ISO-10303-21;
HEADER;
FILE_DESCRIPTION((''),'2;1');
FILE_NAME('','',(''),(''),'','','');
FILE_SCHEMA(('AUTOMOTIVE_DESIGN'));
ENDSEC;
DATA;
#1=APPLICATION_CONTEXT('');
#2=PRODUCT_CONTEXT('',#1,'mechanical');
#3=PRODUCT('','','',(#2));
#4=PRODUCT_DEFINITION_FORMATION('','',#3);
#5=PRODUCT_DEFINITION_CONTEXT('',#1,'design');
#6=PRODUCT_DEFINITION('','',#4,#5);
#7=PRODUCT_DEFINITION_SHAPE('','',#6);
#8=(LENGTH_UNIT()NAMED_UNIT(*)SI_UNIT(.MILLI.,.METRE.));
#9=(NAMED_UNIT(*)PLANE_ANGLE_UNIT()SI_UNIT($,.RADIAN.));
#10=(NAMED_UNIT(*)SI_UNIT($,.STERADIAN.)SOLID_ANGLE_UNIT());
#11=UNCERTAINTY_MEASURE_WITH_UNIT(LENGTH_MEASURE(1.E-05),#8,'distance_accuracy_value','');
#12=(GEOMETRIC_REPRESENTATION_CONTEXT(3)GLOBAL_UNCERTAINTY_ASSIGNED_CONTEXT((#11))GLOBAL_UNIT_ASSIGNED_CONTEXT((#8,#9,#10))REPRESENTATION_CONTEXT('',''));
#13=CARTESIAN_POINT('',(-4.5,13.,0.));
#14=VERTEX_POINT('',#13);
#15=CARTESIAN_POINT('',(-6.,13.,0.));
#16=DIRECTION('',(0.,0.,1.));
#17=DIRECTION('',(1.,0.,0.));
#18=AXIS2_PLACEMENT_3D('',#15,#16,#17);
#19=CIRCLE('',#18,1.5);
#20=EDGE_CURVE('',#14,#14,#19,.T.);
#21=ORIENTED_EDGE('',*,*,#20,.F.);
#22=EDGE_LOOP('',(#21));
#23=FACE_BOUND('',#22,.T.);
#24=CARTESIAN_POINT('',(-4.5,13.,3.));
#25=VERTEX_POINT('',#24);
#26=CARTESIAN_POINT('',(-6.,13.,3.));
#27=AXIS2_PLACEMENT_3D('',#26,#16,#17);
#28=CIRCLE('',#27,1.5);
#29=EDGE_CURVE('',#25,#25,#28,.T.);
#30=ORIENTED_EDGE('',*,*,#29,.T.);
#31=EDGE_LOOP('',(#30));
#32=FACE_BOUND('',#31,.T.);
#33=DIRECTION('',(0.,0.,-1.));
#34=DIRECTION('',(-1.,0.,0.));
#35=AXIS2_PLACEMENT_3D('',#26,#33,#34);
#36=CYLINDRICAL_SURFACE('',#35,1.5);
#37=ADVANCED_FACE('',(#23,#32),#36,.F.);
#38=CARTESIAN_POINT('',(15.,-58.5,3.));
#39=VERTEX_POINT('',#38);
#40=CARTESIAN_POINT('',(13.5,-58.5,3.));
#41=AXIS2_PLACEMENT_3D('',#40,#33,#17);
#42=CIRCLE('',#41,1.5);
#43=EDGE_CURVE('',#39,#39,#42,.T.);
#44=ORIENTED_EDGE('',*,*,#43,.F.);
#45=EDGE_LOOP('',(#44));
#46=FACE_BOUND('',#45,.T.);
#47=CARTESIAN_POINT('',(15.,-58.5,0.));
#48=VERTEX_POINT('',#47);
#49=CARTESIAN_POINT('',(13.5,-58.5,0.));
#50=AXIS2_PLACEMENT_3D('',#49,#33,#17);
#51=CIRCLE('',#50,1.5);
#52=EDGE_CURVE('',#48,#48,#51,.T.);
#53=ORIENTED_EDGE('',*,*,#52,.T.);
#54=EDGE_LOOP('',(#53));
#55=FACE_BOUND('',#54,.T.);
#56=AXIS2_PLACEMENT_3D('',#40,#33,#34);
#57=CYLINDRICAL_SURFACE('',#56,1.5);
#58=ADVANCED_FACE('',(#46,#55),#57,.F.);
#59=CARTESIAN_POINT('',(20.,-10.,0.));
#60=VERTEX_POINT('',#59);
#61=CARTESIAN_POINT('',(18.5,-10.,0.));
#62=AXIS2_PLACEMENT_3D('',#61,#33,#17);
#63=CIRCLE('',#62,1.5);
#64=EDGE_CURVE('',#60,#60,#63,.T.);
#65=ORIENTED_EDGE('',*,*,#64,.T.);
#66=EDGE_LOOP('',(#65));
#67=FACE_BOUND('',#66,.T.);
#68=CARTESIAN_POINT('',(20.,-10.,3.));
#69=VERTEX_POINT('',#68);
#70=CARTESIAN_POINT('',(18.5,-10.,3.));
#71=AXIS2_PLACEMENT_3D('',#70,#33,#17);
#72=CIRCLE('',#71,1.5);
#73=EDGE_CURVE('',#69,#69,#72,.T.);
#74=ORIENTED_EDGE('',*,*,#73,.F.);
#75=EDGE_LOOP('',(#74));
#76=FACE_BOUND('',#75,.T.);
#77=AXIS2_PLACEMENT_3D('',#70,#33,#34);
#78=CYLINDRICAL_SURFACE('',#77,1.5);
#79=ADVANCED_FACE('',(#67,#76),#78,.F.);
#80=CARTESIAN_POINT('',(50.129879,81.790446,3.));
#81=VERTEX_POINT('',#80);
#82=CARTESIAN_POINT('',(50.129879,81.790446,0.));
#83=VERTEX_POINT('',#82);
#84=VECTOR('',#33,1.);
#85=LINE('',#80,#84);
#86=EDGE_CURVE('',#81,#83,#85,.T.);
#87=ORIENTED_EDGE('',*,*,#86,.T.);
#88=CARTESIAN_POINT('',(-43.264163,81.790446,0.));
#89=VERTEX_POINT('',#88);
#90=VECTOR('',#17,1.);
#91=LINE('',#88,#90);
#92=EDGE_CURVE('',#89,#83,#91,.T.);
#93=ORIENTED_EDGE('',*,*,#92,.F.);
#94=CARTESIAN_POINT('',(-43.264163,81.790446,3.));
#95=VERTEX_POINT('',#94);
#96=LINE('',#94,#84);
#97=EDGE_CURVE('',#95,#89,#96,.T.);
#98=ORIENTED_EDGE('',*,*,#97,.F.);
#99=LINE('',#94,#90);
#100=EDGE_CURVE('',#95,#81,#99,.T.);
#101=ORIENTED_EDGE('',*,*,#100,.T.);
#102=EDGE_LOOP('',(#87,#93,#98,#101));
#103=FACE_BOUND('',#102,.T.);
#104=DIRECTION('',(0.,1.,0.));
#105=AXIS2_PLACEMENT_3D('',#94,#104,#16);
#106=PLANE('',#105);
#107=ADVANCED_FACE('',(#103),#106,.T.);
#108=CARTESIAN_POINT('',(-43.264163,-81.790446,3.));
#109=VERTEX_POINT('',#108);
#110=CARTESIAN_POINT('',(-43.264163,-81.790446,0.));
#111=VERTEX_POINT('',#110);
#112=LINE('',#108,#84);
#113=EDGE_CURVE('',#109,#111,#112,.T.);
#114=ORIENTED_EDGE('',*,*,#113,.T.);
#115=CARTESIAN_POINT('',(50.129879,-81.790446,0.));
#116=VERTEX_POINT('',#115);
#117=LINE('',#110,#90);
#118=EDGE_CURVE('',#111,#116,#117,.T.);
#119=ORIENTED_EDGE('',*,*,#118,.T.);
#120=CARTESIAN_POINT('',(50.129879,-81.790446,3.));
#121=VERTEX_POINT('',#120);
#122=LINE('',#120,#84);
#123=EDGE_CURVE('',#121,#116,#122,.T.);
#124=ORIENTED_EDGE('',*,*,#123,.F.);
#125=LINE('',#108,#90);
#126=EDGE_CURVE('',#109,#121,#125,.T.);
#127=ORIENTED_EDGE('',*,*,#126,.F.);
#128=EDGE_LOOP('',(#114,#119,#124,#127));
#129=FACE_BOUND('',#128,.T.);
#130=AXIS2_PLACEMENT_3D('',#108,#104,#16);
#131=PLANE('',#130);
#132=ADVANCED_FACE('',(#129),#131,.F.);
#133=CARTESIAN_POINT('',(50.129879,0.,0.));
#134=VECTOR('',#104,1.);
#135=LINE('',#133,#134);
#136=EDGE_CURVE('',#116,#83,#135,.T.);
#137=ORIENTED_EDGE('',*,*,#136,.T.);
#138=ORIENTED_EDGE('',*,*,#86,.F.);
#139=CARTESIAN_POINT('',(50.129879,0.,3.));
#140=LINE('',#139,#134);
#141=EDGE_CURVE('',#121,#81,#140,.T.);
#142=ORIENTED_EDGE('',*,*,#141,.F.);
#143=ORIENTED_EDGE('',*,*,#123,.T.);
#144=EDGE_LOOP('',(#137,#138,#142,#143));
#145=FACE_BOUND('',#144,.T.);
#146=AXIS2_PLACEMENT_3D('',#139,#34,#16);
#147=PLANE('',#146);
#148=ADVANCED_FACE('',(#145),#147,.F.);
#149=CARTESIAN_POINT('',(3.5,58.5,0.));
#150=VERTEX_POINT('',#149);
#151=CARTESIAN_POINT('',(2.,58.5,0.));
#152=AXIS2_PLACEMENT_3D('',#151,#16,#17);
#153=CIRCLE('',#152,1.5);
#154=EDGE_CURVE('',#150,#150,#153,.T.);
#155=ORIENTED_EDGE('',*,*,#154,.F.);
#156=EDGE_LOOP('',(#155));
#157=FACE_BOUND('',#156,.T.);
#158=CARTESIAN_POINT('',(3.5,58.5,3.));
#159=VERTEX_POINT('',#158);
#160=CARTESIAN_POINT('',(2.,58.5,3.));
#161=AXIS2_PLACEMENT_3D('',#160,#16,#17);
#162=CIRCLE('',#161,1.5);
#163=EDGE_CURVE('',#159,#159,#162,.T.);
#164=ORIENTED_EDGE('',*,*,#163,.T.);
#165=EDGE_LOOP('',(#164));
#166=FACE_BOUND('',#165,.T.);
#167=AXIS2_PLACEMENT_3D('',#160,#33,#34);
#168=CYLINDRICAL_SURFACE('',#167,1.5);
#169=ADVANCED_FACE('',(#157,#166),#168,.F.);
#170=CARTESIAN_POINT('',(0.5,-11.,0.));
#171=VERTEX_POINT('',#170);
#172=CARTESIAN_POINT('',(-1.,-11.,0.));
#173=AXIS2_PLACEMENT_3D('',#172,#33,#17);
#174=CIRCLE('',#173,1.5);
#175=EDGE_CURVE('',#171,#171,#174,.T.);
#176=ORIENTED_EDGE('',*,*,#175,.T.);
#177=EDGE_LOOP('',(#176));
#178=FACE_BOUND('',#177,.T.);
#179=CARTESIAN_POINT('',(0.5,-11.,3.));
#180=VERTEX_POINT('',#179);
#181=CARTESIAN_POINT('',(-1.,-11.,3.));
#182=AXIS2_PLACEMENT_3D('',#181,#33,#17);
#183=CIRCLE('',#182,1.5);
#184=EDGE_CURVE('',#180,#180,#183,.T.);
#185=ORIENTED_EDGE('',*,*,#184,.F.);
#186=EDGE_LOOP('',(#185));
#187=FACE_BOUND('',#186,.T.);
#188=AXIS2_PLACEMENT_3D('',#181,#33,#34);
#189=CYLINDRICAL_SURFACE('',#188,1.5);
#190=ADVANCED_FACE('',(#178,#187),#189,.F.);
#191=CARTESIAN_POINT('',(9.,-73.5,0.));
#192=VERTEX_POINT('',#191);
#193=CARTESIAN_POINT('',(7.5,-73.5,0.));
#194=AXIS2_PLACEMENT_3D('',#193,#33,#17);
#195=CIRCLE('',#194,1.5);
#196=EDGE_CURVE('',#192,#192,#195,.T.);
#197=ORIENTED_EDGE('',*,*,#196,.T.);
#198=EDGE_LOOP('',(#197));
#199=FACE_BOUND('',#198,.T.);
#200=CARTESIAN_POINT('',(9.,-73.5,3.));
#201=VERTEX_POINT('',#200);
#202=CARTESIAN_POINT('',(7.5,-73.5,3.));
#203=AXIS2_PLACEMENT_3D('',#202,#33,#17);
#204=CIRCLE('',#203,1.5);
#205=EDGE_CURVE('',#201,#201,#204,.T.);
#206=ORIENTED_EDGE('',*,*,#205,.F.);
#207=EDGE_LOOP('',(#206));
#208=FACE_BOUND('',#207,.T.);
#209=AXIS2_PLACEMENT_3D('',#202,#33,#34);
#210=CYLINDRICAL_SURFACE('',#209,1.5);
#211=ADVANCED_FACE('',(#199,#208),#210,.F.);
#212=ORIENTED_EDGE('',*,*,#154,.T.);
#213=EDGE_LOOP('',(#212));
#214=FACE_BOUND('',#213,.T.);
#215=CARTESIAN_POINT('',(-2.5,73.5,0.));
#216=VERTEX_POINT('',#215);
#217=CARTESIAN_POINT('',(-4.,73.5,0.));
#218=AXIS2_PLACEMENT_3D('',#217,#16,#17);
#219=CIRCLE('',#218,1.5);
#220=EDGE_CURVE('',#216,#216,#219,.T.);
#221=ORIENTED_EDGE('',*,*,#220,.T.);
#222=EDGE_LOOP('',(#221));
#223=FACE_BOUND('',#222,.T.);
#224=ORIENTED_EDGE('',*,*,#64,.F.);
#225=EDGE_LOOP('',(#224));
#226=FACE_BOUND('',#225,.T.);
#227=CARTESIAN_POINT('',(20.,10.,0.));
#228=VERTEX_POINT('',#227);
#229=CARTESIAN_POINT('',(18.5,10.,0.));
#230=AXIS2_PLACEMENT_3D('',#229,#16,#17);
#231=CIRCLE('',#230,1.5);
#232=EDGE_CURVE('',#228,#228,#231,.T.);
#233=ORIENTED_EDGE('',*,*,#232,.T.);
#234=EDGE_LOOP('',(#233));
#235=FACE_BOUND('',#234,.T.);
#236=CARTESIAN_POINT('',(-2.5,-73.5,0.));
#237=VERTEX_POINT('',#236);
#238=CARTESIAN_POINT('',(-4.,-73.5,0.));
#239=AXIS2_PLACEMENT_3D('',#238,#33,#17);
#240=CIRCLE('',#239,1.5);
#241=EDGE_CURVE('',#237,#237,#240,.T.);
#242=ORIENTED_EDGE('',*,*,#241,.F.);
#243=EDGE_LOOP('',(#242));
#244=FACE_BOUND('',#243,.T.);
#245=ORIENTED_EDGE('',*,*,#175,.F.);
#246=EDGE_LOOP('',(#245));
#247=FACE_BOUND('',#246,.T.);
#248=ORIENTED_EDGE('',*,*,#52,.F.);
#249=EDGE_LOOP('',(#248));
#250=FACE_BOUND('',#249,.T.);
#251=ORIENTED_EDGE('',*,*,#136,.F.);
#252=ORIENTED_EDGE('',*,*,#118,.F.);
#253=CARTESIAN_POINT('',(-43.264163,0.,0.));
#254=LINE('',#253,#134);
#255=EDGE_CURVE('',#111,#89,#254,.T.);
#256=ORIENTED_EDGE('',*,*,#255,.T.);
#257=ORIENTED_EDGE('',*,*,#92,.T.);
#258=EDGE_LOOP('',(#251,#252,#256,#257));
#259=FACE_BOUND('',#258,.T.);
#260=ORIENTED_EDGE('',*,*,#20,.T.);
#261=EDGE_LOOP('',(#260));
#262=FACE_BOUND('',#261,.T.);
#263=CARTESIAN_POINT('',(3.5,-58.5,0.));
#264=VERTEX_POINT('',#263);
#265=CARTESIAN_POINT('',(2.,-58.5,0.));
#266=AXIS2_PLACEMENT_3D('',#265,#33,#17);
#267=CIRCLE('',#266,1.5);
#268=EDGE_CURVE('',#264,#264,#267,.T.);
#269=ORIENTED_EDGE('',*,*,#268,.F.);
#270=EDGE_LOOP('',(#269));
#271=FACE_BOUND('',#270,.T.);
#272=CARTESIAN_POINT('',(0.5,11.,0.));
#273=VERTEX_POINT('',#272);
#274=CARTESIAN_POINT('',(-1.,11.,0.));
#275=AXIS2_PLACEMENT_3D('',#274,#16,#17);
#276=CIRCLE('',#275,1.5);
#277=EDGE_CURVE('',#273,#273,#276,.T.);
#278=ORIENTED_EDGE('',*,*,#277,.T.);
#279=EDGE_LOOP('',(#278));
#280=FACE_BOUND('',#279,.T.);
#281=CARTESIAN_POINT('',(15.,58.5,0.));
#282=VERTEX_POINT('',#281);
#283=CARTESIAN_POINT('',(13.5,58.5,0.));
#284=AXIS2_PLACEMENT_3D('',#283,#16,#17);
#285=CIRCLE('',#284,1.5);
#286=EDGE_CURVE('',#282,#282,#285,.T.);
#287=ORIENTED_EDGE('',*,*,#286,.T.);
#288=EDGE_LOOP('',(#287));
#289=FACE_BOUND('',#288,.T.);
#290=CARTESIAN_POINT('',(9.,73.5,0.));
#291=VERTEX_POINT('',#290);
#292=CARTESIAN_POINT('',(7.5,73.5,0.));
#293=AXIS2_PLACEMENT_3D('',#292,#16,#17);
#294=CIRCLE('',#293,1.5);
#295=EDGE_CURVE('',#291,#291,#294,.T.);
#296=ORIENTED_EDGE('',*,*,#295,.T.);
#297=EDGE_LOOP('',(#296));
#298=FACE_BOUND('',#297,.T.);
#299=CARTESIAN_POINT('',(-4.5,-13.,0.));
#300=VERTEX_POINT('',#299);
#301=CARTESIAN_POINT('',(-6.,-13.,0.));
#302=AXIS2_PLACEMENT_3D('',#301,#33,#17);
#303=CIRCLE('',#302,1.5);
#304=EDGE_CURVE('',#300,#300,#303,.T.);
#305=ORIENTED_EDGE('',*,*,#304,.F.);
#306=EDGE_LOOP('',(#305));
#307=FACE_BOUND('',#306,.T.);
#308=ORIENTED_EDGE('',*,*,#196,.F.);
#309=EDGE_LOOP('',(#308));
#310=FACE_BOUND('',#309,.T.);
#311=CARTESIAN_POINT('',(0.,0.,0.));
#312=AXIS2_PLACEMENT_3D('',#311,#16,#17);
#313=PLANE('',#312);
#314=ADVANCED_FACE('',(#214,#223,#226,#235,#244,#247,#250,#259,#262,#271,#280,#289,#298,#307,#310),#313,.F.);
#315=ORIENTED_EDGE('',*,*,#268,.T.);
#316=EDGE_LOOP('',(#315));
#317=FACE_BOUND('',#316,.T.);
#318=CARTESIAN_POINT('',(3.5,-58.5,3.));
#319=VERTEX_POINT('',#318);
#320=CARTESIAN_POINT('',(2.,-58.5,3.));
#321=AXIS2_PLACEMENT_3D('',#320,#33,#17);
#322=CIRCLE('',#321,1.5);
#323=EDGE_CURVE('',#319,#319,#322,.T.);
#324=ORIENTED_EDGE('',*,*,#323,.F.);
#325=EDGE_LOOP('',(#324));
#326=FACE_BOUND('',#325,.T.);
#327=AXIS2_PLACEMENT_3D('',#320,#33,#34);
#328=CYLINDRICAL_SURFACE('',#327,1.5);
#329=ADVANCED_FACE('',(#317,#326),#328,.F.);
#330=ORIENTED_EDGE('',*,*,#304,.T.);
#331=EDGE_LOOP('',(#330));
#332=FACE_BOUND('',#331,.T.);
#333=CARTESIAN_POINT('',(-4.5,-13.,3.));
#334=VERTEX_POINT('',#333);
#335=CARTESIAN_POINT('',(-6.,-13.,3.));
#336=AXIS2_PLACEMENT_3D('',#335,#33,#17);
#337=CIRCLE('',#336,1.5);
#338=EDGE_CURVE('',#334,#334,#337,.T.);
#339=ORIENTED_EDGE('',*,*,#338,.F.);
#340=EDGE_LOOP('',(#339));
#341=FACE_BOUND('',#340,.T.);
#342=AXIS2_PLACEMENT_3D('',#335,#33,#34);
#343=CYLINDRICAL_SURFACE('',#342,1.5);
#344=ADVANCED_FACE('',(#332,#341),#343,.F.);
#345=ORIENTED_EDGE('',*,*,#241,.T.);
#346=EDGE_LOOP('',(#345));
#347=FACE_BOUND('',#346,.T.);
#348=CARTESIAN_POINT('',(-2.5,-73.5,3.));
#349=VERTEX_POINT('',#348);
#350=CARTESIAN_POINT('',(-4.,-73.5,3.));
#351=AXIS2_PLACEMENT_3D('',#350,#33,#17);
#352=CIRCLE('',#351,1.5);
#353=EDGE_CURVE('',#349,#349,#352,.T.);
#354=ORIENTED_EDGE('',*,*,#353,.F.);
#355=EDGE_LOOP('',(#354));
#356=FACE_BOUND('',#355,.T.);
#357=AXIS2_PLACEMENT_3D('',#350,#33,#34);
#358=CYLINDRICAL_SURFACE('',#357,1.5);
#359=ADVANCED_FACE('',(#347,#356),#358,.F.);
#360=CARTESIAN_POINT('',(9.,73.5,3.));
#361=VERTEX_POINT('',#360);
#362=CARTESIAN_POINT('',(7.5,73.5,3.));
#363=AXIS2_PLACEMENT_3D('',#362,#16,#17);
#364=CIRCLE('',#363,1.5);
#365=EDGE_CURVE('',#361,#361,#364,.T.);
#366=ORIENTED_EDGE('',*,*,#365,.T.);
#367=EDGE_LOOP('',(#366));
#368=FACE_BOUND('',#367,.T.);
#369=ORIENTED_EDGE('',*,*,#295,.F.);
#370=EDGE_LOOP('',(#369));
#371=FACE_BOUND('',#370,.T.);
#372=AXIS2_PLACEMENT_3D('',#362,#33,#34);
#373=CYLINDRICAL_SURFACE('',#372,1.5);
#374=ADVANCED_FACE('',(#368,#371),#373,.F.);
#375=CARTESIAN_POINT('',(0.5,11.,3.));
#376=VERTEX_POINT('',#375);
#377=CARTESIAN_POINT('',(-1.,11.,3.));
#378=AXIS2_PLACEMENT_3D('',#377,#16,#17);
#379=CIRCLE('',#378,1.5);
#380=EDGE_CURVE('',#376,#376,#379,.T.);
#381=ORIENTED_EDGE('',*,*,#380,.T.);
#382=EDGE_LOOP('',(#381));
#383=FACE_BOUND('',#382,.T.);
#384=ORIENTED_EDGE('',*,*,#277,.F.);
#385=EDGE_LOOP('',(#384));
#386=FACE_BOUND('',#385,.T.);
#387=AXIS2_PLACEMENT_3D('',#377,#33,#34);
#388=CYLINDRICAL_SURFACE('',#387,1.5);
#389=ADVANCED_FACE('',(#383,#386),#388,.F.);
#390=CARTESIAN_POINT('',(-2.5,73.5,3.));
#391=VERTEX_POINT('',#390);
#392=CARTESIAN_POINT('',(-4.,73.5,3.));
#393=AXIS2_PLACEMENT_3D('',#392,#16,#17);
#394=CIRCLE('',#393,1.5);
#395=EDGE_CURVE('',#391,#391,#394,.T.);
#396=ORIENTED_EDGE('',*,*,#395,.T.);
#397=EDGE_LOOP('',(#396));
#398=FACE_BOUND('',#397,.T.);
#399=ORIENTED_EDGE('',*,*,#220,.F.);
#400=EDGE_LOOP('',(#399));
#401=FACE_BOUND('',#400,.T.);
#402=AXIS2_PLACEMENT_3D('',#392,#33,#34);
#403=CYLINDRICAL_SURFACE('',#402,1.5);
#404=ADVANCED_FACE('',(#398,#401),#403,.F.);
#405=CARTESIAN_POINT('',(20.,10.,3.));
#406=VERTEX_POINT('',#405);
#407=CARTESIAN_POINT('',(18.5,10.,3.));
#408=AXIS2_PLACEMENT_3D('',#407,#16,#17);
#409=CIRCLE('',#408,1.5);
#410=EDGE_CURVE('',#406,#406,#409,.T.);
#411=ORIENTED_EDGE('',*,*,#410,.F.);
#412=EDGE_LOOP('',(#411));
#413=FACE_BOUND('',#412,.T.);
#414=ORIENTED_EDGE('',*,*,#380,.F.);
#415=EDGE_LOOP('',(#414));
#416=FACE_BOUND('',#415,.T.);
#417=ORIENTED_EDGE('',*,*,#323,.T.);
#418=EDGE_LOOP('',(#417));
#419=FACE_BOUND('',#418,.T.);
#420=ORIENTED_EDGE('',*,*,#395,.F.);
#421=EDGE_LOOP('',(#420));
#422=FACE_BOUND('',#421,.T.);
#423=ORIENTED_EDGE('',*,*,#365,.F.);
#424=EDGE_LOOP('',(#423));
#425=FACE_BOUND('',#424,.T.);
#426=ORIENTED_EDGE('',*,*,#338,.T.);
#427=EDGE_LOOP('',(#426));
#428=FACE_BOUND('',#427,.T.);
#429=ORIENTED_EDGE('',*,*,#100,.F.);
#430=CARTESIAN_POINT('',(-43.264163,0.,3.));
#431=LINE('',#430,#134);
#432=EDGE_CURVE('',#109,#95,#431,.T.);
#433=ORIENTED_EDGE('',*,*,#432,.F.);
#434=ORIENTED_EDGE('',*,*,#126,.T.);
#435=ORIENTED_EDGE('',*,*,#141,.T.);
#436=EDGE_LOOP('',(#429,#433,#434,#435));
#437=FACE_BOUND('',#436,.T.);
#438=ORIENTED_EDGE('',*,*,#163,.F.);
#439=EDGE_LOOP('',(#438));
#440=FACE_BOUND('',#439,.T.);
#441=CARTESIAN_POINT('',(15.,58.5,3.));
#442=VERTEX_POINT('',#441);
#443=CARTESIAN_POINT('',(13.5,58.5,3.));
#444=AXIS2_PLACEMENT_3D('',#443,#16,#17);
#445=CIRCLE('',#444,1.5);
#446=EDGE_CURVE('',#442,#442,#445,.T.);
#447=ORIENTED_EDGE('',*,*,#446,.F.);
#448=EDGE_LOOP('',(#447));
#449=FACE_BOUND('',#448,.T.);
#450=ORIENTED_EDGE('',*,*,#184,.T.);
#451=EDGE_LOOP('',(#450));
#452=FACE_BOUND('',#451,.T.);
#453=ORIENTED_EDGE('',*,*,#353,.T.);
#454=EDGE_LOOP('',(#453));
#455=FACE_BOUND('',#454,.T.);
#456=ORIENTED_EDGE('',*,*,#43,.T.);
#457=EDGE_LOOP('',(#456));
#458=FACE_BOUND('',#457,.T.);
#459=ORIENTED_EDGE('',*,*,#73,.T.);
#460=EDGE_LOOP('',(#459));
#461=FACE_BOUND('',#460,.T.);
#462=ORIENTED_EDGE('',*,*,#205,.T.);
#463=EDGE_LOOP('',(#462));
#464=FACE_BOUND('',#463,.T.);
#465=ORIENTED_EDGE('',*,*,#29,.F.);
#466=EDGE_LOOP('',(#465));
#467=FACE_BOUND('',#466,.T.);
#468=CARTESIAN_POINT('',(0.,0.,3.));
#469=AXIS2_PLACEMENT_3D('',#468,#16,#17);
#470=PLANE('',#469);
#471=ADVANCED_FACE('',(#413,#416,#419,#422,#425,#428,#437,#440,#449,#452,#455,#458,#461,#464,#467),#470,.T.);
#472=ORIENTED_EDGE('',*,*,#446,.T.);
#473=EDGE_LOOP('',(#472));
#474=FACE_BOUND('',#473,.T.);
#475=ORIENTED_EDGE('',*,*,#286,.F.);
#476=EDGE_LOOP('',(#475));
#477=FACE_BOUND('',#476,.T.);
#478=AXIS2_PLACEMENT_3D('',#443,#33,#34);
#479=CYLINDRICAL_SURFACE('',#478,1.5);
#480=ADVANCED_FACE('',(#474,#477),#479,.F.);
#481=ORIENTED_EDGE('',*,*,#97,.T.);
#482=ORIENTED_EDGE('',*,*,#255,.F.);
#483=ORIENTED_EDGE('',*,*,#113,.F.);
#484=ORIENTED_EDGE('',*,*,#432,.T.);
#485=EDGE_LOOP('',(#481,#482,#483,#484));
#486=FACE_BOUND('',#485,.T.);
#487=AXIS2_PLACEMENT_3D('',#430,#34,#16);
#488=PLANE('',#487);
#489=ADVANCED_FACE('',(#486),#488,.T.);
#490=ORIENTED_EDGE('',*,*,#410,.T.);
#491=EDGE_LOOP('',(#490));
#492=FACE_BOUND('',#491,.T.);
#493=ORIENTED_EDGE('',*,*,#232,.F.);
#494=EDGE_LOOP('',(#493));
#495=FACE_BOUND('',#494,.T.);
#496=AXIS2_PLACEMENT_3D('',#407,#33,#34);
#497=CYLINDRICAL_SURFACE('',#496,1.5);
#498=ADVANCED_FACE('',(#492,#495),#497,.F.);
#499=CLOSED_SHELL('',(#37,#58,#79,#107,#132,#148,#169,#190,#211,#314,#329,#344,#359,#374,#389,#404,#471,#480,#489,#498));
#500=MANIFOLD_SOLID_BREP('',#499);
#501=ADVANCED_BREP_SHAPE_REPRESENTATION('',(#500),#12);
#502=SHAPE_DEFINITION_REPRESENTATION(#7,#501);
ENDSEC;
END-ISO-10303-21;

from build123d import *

# Parameters (mm, degrees)
SZKIC1_W                    = 93.394041507
SZKIC1_H                    = 81.79044571
SZKIC1_R                    = 1.5
DODANIE_WYCI_GNI_CIE2_DEPTH = 3


with BuildPart() as part:
    # Szkic1 → Dodanie-wyciągnięcie2 (new body)
    with BuildSketch(Plane.XY):
        with Locations((3.432858123, 40.895222855)):
            Rectangle(SZKIC1_W, SZKIC1_H)
        with Locations((-1, 11)):
            Circle(SZKIC1_R, mode=Mode.SUBTRACT)
        with Locations((18.5, 10)):
            Circle(SZKIC1_R, mode=Mode.SUBTRACT)
        with Locations((-6, 13)):
            Circle(SZKIC1_R, mode=Mode.SUBTRACT)
        with Locations((2, 58.5)):
            Circle(SZKIC1_R, mode=Mode.SUBTRACT)
        with Locations((13.5, 58.5)):
            Circle(SZKIC1_R, mode=Mode.SUBTRACT)
        with Locations((-4, 73.5)):
            Circle(SZKIC1_R, mode=Mode.SUBTRACT)
        with Locations((7.5, 73.5)):
            Circle(SZKIC1_R, mode=Mode.SUBTRACT)
    dodanie_wyci_gni_cie2 = extrude(amount=DODANIE_WYCI_GNI_CIE2_DEPTH)

    # Lustro4: Dodanie-wyciągnięcie2 across plane
    add(dodanie_wyci_gni_cie2.mirror(Plane.ZX))


solid = part.part
